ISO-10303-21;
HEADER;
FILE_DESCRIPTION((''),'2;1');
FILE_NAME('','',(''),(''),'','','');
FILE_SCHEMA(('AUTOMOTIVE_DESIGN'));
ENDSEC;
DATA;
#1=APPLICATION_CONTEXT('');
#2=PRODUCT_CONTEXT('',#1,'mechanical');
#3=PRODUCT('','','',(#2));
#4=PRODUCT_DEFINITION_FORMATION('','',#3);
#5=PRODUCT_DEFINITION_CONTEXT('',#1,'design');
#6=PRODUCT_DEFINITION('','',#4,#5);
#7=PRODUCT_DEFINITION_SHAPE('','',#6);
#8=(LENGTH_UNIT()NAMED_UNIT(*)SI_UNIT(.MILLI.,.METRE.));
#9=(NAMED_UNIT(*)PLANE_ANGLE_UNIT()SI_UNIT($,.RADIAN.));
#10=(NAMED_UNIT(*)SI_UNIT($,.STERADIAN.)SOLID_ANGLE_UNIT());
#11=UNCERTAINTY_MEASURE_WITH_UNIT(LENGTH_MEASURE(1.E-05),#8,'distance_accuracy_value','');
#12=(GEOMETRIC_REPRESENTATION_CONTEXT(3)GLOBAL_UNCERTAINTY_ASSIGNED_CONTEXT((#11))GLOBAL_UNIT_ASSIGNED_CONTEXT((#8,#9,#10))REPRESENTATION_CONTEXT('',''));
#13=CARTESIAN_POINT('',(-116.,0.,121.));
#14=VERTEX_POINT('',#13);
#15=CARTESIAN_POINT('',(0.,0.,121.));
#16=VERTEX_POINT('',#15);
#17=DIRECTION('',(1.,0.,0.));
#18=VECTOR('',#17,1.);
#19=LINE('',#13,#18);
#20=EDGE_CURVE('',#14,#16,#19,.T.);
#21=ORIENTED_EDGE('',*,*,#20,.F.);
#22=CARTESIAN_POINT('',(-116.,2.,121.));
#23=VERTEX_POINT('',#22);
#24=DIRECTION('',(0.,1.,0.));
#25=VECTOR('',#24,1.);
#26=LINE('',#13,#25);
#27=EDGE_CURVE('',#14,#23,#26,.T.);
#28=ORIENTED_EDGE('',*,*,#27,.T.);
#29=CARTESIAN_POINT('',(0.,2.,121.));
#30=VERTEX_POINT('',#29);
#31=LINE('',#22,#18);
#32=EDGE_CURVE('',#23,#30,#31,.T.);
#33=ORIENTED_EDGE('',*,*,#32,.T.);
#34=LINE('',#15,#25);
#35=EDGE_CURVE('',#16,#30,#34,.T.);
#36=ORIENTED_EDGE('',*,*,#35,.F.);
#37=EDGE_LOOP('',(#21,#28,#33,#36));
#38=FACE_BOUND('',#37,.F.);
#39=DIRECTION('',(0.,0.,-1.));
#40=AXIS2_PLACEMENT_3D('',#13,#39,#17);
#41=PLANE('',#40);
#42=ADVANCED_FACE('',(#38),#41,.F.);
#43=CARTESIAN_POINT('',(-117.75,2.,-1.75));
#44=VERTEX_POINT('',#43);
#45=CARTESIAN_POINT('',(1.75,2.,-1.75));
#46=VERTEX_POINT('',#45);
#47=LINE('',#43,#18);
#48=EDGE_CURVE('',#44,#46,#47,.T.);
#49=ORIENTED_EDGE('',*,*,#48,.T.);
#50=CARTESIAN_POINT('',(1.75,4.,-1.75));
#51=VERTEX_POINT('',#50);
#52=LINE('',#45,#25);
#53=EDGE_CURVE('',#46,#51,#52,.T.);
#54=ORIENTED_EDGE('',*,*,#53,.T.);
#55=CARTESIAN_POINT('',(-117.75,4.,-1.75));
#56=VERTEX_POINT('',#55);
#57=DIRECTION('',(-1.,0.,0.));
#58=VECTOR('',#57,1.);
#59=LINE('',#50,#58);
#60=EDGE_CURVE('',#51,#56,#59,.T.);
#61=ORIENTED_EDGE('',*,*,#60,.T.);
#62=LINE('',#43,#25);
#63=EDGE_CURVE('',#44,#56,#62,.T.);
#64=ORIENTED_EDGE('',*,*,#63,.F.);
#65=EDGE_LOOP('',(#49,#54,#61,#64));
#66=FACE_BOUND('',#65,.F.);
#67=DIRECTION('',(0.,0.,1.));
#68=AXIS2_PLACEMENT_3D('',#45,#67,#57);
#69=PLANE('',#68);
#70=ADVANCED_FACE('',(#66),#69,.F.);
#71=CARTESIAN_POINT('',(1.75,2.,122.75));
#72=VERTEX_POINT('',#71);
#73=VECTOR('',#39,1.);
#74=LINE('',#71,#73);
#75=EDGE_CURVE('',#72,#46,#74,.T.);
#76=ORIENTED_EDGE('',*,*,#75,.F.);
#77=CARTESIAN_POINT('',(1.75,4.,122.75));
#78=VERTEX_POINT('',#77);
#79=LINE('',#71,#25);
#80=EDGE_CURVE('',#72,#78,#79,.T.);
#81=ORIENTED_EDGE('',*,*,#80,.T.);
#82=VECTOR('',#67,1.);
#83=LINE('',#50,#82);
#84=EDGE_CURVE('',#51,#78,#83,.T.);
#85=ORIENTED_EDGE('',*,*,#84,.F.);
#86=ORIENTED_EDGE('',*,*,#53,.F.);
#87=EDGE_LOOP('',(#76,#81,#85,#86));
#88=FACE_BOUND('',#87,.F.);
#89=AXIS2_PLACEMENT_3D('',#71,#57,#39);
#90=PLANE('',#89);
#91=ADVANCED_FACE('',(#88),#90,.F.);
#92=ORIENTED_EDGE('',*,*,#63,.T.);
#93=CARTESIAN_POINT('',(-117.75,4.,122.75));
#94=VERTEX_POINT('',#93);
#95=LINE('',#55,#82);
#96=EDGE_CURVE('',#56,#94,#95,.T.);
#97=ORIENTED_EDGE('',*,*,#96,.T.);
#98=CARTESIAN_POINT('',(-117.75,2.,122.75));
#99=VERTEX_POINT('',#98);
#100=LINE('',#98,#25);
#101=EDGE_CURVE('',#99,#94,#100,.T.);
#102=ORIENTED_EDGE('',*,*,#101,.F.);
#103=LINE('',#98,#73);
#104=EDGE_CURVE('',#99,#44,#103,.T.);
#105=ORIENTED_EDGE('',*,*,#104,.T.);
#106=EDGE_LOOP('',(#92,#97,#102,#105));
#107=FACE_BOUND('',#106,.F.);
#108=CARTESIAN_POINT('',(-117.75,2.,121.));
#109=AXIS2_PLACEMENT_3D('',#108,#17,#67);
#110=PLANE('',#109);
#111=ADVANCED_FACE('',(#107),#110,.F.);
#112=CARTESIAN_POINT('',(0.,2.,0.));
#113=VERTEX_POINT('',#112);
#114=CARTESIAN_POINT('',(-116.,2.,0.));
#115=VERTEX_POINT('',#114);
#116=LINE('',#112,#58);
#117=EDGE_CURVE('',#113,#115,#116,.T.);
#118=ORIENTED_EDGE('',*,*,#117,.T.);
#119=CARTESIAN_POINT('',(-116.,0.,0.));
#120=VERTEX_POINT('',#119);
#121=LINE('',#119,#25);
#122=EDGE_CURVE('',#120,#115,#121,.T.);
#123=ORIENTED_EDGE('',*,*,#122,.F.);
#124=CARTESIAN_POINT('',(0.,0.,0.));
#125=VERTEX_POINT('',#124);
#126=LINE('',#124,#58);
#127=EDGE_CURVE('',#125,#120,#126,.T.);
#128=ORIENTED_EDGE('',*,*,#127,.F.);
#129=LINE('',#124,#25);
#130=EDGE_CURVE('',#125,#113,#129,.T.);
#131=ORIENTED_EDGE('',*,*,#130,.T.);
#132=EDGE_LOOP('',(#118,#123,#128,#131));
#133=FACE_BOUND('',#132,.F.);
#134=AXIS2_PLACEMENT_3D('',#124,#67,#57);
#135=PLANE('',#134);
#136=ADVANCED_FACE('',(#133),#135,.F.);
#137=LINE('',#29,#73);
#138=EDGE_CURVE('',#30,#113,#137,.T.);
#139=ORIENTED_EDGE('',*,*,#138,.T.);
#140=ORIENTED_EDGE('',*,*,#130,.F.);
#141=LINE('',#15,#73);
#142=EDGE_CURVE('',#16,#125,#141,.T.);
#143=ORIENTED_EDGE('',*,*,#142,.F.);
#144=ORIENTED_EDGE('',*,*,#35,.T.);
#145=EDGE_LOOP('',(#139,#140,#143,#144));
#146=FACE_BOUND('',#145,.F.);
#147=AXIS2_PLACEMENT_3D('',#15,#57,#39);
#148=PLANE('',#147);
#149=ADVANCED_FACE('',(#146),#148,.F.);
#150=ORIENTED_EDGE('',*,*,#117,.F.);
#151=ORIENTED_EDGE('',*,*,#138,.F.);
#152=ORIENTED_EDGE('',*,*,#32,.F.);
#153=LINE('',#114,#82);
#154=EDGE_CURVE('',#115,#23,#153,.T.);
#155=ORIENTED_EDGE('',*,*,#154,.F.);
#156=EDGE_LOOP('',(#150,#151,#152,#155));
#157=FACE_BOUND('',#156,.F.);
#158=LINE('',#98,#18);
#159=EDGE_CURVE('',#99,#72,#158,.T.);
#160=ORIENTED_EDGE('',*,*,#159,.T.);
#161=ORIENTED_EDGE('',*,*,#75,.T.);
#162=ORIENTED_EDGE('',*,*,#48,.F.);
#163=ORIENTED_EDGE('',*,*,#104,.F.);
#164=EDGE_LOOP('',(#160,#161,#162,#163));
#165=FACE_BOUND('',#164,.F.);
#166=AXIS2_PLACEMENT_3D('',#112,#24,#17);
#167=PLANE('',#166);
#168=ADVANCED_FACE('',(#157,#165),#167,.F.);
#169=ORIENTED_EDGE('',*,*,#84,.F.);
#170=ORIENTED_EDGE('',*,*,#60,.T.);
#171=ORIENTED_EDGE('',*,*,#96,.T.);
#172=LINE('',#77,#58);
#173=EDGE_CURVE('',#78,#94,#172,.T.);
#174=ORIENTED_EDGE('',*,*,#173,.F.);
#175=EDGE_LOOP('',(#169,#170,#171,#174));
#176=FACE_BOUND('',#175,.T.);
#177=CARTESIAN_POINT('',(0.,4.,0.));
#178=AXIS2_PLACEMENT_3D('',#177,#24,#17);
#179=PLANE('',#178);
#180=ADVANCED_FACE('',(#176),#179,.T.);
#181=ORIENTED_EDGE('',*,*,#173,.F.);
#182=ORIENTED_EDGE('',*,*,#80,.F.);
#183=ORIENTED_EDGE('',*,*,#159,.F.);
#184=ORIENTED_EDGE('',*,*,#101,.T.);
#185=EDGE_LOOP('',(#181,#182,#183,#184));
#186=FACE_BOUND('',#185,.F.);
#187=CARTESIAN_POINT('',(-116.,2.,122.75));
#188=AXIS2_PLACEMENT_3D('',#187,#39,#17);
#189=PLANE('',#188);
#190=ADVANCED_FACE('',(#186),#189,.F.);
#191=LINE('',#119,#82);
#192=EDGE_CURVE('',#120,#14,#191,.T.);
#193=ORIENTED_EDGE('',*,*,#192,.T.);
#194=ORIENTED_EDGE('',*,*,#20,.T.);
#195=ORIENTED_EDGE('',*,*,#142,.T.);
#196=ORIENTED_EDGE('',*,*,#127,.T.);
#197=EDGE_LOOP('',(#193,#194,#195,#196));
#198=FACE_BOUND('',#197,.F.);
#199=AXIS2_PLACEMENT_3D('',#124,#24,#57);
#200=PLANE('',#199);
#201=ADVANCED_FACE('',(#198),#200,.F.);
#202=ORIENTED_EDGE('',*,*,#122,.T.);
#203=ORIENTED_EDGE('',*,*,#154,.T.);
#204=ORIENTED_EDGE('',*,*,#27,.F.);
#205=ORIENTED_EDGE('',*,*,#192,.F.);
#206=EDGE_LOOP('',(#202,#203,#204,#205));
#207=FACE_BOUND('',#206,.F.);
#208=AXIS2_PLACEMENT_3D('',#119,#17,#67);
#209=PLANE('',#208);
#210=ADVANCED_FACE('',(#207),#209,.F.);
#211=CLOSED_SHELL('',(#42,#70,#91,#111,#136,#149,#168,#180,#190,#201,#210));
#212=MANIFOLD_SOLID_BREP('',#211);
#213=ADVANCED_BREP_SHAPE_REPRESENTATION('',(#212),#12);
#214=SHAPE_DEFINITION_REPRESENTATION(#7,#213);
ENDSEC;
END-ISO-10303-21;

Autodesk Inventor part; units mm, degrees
ref_plane "YZ Plane" through (0, 0, 0) normal (1, 0, 0) x (0, 1, 0)
ref_plane "XZ Plane" through (0, 0, 0) normal (0, 1, 0) x (-1, 0, 0)
ref_plane "XY Plane" through (0, 0, 0) normal (0, 0, 1) x (1, 0, 0)
sketch "Sketch1" plane through (0, 0, 0) normal (0, 1, 0) x (-1, 0, 0)
  line L0 (0, 0) -> (116, 0)
  line L1 (116, 0) -> (116, 121)
  line L2 (116, 121) -> (0, 121)
  line L3 (0, 121) -> (0, 0)
  dimension "d0" = 116
  dimension "d1" = 121
extrude "Extrusion1" add sketch "Sketch1" along normal blind 2
sketch "Sketch2" plane through (0, 2, 0) normal (0, 1, 0) x (1, 0, 0)
  line L0 (1.75, 0) -> (1.75, 1.75)
  line L1 (1.75, 1.75) -> (0, 1.75)
  line L2 (-117.75, -121) -> (-117.75, -122.75)
  line L3 (-117.75, -122.75) -> (-116, -122.75)
  line L4 (-117.75, -122.75) -> (1.75, -122.75)
  line L5 (1.75, -122.75) -> (1.75, 1.75)
  line L6 (1.75, 1.75) -> (-117.75, 1.75)
  line L7 (-117.75, 1.75) -> (-117.75, -122.75)
  dimension "d4" = 1.75
  dimension "d5" = 1.75
  dimension "d6" = 1.75
  dimension "d7" = 1.75
extrude "Extrusion2" add sketch "Sketch2" along normal blind 2
properties part number "Lid"
